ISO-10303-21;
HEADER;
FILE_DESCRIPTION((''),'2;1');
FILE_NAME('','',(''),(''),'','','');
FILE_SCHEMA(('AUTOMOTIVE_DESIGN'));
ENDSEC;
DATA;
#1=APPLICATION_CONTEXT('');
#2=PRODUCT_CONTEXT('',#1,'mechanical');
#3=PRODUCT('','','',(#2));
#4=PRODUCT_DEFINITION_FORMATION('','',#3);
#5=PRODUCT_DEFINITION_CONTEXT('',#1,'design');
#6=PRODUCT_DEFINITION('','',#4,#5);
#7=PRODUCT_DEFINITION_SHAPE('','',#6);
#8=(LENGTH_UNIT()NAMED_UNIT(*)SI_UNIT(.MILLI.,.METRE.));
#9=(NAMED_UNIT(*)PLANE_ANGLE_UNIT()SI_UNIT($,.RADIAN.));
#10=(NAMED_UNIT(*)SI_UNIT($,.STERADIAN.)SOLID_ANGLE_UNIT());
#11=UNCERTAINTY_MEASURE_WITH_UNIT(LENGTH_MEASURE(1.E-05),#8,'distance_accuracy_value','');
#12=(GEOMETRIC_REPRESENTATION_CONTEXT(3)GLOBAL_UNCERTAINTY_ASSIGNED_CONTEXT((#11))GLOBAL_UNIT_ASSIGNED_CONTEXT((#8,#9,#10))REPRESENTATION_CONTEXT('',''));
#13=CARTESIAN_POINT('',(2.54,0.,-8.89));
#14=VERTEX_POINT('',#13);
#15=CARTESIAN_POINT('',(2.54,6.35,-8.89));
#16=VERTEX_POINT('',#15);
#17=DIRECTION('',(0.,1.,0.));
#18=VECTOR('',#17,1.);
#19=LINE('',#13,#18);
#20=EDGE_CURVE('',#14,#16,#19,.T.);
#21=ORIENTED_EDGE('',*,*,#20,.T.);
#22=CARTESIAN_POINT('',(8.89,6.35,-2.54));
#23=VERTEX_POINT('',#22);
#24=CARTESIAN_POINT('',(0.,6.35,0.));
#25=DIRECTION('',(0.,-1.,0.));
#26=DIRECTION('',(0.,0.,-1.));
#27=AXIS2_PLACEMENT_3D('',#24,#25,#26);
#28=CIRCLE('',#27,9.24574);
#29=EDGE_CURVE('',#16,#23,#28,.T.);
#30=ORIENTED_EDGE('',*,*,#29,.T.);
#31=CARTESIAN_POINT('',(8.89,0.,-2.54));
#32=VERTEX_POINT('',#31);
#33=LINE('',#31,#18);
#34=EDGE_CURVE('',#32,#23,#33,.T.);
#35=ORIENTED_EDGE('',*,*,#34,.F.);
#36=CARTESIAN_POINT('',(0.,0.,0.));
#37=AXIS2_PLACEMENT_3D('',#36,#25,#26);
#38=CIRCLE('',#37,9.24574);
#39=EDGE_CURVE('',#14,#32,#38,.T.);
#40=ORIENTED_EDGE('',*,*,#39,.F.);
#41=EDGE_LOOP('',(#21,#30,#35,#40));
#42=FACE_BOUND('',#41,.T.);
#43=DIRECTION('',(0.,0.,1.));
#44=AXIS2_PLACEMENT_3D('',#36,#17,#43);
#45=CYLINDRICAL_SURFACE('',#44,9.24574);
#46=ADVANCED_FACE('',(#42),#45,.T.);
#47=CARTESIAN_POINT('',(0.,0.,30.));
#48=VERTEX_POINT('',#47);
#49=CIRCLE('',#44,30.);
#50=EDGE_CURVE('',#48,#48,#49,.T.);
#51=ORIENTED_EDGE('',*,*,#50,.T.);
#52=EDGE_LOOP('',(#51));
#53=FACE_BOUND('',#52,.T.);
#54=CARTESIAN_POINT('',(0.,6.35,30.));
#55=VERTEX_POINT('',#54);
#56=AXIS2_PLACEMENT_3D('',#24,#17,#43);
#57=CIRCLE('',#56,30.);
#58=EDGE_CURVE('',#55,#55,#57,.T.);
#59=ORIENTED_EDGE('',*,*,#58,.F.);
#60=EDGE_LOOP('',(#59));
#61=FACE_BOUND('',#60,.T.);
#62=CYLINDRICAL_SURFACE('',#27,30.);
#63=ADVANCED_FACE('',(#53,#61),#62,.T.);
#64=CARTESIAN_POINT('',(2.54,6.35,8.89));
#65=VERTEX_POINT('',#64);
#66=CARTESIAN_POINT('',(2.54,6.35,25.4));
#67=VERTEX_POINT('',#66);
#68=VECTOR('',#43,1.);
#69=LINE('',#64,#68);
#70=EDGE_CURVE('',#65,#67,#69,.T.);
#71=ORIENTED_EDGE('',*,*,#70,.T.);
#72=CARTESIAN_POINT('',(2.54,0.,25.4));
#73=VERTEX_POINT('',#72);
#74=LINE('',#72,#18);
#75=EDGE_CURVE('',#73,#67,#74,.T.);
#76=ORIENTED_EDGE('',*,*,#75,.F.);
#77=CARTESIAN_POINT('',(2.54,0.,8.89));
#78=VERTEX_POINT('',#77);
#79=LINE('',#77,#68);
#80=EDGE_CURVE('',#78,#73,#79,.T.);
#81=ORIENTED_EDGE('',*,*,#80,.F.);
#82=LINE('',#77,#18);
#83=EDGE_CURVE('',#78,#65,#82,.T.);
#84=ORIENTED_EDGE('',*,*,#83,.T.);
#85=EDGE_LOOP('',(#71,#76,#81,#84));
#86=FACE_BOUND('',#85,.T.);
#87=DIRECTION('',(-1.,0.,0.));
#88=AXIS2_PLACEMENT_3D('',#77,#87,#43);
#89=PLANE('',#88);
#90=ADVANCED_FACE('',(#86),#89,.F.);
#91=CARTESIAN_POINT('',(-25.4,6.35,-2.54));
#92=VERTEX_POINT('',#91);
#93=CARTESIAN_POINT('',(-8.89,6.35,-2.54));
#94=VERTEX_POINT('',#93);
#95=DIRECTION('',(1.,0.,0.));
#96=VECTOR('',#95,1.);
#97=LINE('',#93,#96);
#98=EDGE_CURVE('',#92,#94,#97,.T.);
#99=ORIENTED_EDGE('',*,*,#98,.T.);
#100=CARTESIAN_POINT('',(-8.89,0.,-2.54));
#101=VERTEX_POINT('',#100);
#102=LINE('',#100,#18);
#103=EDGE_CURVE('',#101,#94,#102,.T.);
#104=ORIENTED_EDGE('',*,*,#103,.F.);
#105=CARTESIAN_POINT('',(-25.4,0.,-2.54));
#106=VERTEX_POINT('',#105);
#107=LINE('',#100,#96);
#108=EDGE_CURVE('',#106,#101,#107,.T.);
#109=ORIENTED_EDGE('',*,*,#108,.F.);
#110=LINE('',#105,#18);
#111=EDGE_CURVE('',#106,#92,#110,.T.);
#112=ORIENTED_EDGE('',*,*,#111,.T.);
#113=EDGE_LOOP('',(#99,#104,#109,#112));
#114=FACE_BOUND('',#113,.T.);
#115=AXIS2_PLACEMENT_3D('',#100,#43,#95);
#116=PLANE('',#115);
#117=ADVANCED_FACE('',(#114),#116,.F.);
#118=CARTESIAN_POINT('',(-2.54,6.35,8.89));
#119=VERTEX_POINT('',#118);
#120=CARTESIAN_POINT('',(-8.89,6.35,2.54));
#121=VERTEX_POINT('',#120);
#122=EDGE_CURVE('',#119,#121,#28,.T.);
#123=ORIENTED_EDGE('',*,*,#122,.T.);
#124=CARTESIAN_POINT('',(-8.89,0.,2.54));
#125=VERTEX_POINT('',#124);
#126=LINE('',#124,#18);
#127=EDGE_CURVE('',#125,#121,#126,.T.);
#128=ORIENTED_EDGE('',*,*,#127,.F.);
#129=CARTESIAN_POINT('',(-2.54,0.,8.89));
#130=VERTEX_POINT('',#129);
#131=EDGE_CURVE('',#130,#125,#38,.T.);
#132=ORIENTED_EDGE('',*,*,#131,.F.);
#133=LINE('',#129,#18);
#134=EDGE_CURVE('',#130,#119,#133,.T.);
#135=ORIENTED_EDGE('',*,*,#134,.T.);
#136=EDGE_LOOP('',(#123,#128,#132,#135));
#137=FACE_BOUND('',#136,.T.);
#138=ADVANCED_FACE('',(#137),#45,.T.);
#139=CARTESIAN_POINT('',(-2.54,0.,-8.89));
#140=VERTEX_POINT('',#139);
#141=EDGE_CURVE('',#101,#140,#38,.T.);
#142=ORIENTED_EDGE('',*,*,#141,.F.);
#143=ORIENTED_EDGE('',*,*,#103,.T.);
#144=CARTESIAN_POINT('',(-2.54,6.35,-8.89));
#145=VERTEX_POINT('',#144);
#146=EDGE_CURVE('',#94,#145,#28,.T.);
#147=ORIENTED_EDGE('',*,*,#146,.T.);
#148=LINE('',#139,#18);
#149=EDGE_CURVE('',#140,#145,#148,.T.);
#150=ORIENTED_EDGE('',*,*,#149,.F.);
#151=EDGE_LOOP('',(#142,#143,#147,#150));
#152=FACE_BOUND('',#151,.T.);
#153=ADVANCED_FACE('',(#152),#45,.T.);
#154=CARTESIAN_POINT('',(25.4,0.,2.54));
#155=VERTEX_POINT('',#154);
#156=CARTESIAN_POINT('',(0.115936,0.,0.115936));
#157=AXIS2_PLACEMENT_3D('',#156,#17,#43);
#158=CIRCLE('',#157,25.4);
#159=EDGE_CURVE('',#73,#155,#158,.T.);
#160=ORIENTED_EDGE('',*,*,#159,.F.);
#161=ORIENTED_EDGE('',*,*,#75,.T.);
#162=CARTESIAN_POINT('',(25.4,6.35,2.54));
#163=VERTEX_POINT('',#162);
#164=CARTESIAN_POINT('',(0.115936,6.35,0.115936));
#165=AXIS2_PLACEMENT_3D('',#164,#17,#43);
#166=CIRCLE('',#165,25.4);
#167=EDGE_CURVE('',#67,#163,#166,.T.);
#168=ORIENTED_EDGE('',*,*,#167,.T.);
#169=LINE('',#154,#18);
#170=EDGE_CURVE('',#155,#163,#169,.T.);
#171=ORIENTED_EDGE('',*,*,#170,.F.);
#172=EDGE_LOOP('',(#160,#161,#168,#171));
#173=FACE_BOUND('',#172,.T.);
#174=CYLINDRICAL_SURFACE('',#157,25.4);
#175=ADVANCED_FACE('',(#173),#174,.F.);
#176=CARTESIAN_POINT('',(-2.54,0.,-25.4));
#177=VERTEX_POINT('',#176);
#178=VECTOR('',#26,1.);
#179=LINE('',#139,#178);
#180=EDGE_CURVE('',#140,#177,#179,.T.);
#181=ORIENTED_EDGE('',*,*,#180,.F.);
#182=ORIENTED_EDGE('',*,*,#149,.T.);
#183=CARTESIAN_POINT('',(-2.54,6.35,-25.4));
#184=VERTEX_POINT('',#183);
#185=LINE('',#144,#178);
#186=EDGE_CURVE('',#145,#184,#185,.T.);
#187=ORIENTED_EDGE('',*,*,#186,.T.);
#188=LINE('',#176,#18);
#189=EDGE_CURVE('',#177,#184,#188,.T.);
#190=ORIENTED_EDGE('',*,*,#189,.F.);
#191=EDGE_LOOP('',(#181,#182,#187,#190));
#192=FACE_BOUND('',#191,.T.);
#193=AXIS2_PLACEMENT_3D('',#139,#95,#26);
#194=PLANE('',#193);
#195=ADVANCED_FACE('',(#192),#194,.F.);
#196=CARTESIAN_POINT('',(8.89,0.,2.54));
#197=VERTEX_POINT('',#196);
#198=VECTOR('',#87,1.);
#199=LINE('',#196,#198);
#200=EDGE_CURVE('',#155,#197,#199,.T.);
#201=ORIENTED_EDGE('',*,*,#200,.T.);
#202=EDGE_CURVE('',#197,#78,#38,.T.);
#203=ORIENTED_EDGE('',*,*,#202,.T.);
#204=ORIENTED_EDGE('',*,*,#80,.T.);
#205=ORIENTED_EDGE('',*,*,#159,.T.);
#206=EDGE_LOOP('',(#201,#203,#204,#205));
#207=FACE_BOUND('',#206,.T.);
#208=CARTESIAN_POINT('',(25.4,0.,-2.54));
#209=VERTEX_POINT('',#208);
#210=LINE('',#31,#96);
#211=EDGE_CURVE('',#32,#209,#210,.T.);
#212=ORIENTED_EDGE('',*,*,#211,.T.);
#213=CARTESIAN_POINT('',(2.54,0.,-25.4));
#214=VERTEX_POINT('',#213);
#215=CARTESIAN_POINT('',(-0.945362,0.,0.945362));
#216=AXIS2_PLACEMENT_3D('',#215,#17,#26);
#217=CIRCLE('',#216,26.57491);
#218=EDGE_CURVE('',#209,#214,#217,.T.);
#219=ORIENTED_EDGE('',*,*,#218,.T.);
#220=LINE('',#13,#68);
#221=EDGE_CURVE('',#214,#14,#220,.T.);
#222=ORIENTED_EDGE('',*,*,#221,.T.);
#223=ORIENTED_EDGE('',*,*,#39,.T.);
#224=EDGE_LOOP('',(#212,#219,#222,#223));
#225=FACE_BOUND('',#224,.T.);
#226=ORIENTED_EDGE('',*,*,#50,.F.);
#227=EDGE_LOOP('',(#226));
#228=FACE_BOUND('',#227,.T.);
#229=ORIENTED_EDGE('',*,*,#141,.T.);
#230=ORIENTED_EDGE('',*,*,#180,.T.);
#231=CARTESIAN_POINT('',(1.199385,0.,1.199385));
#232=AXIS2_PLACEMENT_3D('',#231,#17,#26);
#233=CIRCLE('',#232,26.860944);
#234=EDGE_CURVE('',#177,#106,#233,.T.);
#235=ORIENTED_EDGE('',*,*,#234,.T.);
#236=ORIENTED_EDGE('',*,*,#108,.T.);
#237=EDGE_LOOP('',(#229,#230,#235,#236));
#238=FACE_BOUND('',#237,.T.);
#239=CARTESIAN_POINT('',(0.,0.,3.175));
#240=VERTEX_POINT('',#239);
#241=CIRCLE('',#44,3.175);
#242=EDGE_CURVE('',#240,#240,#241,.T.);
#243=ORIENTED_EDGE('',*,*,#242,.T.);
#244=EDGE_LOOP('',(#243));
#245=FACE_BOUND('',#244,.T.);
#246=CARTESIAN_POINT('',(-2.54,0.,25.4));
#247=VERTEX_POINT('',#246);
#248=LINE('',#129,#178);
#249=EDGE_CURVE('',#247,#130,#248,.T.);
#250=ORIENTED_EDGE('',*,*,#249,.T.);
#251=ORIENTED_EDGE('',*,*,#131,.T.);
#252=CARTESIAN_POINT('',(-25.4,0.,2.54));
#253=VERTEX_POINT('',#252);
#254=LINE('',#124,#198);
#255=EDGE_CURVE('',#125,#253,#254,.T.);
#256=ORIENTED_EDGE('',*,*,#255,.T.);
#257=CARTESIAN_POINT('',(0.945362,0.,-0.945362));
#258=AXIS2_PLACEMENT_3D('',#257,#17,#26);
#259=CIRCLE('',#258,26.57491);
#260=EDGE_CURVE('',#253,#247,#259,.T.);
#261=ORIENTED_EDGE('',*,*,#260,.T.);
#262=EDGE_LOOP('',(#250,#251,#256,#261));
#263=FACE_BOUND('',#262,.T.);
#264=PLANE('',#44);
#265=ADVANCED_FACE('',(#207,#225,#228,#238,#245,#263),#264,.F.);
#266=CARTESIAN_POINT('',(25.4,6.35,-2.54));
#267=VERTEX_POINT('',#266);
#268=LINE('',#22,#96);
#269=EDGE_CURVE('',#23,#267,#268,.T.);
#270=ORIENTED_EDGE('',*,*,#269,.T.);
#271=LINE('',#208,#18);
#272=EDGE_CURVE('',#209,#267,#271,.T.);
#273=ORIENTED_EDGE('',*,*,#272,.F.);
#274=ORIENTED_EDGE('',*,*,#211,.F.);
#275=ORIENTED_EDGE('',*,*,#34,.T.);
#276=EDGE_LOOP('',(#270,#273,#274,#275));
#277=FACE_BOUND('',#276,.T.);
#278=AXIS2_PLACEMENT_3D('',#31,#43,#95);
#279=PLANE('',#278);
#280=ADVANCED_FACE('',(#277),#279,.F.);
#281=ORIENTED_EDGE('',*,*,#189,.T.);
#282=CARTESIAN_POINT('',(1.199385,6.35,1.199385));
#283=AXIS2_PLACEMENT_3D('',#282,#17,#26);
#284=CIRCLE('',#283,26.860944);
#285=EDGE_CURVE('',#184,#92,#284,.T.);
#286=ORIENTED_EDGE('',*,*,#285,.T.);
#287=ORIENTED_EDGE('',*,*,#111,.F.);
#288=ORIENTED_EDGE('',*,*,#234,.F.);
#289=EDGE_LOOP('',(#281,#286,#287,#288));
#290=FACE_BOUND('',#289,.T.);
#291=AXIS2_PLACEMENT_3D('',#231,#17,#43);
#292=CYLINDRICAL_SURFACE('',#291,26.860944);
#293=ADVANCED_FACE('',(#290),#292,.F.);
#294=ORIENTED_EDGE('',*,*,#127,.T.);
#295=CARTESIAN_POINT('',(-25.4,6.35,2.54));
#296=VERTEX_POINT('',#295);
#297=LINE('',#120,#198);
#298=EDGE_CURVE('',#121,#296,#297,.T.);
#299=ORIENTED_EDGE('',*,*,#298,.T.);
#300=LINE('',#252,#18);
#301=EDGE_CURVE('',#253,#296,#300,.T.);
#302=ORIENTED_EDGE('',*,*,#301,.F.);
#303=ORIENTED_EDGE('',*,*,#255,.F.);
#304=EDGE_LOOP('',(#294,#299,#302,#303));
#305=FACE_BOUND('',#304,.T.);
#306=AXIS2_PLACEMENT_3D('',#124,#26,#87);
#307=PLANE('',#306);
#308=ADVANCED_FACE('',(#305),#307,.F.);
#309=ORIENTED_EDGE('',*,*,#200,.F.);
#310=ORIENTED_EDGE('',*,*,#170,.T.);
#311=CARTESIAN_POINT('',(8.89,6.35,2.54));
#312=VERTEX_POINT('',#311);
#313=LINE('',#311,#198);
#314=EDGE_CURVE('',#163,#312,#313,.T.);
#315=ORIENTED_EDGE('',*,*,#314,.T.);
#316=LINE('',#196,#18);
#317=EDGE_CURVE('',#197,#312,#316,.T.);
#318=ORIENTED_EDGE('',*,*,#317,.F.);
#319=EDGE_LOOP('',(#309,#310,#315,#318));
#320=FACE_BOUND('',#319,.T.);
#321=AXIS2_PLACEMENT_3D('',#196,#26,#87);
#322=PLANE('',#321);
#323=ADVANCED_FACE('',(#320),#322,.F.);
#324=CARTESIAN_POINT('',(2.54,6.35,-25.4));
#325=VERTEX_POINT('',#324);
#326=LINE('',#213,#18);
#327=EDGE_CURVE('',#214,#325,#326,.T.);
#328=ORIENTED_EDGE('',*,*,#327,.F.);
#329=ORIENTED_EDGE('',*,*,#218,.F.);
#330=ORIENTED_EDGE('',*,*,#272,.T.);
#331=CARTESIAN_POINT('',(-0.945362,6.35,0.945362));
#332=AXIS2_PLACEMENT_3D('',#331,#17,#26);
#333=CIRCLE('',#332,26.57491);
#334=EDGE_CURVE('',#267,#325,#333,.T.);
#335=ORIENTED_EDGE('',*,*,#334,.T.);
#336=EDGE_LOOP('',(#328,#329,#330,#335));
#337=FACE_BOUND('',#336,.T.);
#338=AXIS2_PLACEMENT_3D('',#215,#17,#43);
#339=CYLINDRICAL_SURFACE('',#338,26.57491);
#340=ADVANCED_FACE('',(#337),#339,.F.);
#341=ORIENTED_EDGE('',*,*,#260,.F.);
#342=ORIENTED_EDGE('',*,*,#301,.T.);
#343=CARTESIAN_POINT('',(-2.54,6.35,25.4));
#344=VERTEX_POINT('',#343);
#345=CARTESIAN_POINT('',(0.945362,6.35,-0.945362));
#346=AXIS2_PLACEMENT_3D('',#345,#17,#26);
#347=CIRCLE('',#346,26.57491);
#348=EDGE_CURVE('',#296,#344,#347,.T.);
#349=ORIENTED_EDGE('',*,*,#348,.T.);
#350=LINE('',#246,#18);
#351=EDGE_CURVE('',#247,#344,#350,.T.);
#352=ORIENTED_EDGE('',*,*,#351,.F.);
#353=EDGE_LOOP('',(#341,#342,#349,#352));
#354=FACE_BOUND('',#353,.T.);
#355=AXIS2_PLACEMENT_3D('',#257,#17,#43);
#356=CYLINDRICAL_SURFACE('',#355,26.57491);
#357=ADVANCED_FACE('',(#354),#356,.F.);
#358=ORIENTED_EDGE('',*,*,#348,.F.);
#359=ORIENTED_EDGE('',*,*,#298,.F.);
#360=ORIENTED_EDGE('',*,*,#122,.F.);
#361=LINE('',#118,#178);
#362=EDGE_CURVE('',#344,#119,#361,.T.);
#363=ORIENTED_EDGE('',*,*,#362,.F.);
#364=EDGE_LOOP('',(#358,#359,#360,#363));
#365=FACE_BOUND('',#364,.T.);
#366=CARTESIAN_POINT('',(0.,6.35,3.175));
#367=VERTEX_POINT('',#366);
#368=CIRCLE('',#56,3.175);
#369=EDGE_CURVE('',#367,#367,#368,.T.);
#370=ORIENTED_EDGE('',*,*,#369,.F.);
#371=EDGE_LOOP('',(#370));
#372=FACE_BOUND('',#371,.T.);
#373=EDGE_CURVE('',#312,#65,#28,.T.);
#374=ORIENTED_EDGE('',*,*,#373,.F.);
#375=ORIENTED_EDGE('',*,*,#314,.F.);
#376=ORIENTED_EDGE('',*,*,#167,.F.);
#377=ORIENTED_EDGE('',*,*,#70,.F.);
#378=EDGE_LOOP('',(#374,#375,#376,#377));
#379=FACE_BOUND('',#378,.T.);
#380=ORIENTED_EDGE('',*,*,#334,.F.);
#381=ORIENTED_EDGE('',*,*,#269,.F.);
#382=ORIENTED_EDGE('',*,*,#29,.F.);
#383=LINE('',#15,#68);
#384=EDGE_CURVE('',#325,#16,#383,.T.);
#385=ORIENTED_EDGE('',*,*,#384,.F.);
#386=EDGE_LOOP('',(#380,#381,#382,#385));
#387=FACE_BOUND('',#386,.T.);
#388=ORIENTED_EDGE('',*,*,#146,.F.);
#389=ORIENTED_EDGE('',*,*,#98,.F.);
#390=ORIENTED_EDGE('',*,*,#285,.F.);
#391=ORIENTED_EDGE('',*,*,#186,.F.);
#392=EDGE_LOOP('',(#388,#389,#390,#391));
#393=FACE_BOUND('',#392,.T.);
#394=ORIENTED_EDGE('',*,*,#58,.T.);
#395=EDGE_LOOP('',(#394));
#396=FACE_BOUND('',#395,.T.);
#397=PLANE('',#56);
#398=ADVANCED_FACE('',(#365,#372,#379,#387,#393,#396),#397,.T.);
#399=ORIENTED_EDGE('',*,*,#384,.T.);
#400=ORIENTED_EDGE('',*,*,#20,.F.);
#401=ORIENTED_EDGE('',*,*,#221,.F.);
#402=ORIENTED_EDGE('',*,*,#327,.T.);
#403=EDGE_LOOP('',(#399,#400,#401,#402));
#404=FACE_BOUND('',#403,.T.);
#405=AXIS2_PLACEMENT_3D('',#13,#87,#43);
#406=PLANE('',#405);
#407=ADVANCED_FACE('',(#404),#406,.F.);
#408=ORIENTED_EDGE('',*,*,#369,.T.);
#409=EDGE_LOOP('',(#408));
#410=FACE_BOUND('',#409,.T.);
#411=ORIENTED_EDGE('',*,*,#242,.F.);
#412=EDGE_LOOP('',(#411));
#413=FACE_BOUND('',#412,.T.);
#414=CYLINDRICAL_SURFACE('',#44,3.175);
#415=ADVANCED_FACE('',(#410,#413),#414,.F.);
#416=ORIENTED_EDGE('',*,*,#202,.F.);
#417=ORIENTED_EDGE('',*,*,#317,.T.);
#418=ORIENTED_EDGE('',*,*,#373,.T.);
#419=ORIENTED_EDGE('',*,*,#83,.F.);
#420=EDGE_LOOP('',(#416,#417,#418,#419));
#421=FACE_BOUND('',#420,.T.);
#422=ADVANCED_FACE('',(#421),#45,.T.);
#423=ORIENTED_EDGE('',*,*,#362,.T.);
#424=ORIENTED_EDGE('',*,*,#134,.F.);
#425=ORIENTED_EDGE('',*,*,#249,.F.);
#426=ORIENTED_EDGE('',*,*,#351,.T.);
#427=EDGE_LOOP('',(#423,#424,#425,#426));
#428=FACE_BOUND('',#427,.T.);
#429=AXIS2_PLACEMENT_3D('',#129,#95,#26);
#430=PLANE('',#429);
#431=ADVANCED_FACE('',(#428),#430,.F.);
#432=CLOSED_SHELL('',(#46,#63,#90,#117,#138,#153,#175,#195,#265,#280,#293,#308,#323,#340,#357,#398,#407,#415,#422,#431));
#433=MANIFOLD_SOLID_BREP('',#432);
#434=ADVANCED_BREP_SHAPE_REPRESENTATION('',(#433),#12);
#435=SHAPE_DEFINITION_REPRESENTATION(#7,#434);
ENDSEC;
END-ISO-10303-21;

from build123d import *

# Parameters (mm, degrees)
SKETCH1_R           = 30
BOSS_EXTRUDE1_DEPTH = 6.35
SKETCH2_R           = 3.175
CUT_EXTRUDE1_DEPTH  = 43.898980174
CUT_EXTRUDE2_DEPTH  = 43.898980174


with BuildPart() as part:
    # Sketch1 → Boss-Extrude1 (new body)
    with BuildSketch(Plane(origin=(0, 0, 0), x_dir=(1, 0, 0), z_dir=(0, 1, 0))):
        with Locations(Location((0, 0, 0), (0, 0, 270))):
            Circle(SKETCH1_R)
    extrude(amount=BOSS_EXTRUDE1_DEPTH)

    # Sketch2 → Cut-Extrude1 (cut, through all)
    with BuildSketch(Plane(origin=(0, 6.35, 0), x_dir=(1, 0, 0), z_dir=(0, 1, 0))):
        with Locations(Location((0, 0, 0), (0, 0, 270))):
            Circle(SKETCH2_R)
    extrude(amount=-CUT_EXTRUDE1_DEPTH, mode=Mode.SUBTRACT)

    # Sketch3 → Cut-Extrude2 (cut, through all)
    with BuildSketch(Plane(origin=(0, 6.35, 0), x_dir=(1, 0, 0), z_dir=(0, 1, 0))):
        with BuildLine():
            Line((8.89, -2.54), (25.4, -2.54))
            ThreePointArc((25.4, -2.54), (18.076447857, -18.076447857), (2.54, -25.4))
            Line((2.54, -25.4), (2.54, -8.89))
            ThreePointArc((2.54, -8.89), (6.53772514, -6.53772514), (8.89, -2.54))
        make_face()
        with BuildLine():
            Line((-2.54, -8.89), (-2.54, -25.4))
            ThreePointArc((-2.54, -25.4), (-17.845937126, -17.845937126), (-25.4, -2.54))
            Line((-25.4, -2.54), (-8.89, -2.54))
            ThreePointArc((-8.89, -2.54), (-6.53772514, -6.53772514), (-2.54, -8.89))
        make_face()
        with BuildLine():
            Line((-8.89, 2.54), (-25.4, 2.54))
            ThreePointArc((-25.4, 2.54), (-17.794170178, 17.794170178), (-2.54, 25.4))
            Line((-2.54, 25.4), (-2.54, 8.89))
            ThreePointArc((-2.54, 8.89), (-6.53772514, 6.53772514), (-8.89, 2.54))
        make_face()
        with BuildLine():
            Line((2.54, 8.89), (2.54, 25.4))
            ThreePointArc((2.54, 25.4), (17.845937126, 17.845937126), (25.4, 2.54))
            Line((25.4, 2.54), (8.89, 2.54))
            ThreePointArc((8.89, 2.54), (6.53772514, 6.53772514), (2.54, 8.89))
        make_face()
    extrude(amount=-CUT_EXTRUDE2_DEPTH, mode=Mode.SUBTRACT)


solid = part.part
